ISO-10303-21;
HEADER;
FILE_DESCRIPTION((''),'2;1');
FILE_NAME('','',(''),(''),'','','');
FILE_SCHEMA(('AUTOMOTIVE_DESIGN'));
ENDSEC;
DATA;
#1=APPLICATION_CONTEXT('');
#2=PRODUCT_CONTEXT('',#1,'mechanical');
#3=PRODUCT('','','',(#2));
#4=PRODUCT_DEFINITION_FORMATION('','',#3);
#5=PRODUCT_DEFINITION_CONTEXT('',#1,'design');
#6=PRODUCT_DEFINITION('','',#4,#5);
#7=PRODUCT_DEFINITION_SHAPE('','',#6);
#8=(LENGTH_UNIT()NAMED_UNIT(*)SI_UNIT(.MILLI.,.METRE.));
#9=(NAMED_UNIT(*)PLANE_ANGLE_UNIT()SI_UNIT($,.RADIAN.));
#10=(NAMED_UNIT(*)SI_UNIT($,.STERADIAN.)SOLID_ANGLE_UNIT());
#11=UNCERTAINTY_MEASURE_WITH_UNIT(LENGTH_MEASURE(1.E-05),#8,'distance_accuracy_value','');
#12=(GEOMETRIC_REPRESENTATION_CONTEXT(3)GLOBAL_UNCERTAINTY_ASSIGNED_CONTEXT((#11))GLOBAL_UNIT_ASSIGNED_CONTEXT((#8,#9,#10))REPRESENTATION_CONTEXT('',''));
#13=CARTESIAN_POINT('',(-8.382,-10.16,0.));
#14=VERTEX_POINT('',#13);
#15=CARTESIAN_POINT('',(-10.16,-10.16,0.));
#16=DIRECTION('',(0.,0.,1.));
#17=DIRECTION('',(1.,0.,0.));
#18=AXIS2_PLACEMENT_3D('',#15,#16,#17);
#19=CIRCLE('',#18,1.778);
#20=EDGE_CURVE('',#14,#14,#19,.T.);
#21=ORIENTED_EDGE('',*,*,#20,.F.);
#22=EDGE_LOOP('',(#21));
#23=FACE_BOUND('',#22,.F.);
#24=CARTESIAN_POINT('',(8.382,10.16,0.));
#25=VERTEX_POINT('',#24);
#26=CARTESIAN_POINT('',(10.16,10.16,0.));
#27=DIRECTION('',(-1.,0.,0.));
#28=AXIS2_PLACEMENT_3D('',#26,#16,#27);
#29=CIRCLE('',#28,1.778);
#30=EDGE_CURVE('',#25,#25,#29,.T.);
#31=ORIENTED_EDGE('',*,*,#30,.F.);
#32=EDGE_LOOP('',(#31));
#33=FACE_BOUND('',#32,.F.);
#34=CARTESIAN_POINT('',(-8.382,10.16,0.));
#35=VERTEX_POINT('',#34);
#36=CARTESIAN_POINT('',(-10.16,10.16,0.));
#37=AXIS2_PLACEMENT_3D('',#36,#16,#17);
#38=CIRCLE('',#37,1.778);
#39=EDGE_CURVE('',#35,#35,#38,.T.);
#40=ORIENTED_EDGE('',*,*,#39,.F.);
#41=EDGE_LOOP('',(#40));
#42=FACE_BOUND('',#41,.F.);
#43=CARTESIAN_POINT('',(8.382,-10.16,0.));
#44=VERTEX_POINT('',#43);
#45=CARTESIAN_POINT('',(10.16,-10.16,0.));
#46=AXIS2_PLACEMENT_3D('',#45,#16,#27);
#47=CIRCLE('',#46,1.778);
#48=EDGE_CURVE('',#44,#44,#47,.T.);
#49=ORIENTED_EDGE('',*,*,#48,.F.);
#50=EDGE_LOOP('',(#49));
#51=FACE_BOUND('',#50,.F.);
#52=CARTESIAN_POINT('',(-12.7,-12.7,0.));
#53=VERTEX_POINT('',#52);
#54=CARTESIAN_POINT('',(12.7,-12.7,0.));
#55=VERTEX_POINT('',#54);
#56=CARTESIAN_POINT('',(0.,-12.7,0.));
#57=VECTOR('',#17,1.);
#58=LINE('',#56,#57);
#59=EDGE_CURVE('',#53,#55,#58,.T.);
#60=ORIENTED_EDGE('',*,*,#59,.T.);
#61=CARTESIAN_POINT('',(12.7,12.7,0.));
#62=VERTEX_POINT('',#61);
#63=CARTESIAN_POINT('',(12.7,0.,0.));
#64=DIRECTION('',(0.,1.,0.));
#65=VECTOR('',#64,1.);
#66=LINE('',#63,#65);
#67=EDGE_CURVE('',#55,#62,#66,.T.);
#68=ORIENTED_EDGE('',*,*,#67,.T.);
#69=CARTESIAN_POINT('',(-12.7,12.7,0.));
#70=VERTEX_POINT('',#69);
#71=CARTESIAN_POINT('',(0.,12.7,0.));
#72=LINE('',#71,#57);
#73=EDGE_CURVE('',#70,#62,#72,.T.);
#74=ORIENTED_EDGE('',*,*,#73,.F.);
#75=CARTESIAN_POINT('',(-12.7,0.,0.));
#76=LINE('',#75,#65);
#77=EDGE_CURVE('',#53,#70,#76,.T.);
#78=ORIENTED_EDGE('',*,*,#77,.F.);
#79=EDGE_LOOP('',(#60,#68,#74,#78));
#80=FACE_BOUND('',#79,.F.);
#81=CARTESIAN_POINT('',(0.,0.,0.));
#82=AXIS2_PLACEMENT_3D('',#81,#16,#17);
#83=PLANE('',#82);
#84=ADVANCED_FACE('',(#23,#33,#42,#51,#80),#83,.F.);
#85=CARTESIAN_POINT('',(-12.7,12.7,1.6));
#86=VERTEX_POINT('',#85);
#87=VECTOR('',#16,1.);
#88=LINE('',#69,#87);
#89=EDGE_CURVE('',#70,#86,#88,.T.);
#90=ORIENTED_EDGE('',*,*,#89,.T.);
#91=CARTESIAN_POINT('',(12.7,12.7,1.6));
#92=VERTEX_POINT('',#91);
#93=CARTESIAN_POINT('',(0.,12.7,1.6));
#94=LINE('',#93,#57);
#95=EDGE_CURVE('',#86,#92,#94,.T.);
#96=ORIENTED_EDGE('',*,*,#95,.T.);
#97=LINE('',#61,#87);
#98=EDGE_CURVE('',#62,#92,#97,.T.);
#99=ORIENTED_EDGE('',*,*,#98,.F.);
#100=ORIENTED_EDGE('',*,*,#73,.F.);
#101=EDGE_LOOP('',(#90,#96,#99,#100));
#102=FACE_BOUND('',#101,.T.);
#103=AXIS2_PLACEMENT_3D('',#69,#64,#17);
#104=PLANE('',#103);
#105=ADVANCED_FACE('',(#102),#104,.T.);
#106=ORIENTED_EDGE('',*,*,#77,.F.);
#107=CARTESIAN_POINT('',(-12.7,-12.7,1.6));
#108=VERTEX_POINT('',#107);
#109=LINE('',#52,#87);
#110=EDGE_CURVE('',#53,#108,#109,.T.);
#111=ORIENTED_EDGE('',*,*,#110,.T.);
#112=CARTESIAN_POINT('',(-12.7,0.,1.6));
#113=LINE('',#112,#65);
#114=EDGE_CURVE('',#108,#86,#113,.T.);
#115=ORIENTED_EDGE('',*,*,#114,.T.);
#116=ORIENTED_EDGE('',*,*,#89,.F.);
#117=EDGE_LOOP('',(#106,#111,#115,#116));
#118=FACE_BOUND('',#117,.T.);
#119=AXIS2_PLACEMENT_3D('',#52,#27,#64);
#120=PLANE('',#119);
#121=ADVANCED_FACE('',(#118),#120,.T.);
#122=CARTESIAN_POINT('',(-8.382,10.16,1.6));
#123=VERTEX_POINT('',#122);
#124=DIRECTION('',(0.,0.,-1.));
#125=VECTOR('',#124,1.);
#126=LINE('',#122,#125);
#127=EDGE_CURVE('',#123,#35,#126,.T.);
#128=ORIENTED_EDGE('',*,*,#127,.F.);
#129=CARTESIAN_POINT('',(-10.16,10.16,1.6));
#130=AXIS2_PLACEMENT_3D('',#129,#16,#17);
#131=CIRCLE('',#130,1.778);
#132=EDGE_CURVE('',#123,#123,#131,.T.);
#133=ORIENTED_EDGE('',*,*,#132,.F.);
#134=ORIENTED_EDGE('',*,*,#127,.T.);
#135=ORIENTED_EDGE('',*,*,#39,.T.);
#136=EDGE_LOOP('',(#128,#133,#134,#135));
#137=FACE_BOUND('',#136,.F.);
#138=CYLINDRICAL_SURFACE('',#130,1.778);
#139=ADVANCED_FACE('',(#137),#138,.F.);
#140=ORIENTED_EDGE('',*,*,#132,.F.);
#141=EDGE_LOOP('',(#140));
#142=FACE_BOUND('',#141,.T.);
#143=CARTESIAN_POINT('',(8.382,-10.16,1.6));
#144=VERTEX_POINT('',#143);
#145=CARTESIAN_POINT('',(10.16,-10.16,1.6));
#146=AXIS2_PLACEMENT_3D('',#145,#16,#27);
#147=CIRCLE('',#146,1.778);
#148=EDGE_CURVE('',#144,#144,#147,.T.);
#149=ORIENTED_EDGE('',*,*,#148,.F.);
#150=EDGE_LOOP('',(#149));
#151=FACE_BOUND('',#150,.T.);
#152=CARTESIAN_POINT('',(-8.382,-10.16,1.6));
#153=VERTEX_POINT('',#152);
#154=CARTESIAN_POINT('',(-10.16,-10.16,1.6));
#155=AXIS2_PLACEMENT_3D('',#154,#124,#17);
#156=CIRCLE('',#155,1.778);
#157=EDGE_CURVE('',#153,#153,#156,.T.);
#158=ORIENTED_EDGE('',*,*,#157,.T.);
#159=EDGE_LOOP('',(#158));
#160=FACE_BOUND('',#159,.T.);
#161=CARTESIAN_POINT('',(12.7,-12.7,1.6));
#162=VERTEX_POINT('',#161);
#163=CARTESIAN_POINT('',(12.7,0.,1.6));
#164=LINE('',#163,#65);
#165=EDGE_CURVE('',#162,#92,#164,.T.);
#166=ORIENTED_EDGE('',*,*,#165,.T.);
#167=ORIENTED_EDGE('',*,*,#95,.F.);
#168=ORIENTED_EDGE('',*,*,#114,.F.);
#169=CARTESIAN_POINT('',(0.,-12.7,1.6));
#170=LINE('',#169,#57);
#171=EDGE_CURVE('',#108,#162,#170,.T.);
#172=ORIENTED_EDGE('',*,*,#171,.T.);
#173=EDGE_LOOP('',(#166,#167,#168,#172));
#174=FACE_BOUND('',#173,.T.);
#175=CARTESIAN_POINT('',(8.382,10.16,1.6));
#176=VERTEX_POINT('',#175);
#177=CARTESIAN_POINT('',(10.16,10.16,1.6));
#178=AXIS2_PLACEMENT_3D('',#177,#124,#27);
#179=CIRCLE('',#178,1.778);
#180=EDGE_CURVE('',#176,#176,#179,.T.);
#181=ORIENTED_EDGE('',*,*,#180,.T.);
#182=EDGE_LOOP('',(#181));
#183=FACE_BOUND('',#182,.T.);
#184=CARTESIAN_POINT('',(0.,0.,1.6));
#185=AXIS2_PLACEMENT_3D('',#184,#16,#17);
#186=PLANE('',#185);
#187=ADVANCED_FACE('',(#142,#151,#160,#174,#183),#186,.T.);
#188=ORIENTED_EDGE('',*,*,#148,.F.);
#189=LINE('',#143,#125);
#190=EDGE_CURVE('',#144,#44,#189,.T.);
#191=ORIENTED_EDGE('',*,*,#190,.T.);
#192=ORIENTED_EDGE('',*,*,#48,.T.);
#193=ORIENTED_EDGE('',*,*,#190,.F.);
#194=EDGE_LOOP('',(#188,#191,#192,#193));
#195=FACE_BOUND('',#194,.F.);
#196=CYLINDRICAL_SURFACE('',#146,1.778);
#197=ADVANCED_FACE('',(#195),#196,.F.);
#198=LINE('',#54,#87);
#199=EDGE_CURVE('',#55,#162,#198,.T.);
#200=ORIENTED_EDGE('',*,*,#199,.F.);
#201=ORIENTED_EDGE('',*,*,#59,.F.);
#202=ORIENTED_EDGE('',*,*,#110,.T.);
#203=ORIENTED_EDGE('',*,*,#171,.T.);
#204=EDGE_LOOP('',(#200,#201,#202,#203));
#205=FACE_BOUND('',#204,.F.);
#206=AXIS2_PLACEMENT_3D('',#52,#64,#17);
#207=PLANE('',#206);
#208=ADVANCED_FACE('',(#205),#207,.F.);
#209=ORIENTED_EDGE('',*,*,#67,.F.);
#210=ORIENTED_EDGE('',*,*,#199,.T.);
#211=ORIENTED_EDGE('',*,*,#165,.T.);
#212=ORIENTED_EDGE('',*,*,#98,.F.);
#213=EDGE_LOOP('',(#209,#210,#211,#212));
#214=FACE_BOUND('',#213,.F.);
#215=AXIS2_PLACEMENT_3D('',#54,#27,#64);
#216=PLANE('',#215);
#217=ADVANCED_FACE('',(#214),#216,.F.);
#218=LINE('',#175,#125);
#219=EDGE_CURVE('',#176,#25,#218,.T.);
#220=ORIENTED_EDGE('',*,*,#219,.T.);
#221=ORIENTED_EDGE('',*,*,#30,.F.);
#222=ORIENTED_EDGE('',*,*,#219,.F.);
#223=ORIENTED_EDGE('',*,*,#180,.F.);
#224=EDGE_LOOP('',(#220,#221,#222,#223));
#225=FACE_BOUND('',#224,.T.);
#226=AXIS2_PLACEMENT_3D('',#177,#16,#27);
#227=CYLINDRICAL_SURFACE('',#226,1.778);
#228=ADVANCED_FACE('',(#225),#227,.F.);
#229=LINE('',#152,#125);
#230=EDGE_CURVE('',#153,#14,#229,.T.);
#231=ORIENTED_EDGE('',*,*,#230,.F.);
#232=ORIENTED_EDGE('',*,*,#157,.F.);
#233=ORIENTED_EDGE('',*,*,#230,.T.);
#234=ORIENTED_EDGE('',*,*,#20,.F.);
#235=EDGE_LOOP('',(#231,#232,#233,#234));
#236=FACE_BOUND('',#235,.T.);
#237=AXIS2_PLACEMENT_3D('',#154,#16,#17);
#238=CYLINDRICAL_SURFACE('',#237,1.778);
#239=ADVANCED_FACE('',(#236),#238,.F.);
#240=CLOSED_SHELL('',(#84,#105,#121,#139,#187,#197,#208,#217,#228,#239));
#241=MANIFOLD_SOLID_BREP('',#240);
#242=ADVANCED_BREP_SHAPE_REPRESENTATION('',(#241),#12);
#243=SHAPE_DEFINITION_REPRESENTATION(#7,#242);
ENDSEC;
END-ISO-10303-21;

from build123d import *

# Parameters (mm, degrees)
SKETCH006_W                = 25.4
SKETCH006_H                = 25.4
PAD005_DEPTH               = 1.6
SKETCH005_R                = 1.778
POCKET_DEPTH               = 73.514281
SKETCH005_MIRRORED006_2_R  = 1.778
POCKET_MIRRORED006_2_DEPTH = 73.514281


with BuildPart() as part:
    # Sketch006 → Pad005 (new body)
    with BuildSketch(Plane.XY):
        Rectangle(SKETCH006_W, SKETCH006_H)
    extrude(amount=PAD005_DEPTH)

    # Sketch005 (on Face6 of Pad005) → Pocket (cut, through all)
    with BuildSketch(Plane.XY.offset(1.6)):
        with Locations((-10.16, 10.16)):
            Circle(SKETCH005_R)
    pocket = extrude(amount=-POCKET_DEPTH, mode=Mode.SUBTRACT)

    # Sketch005 Mirrored006 2 → Pocket Mirrored006 2 (cut, through all)
    with BuildSketch(Plane(origin=(0, 0, 1.6), x_dir=(-1, 0, 0), z_dir=(0, 0, -1))):
        with Locations((-10.16, 10.16)):
            Circle(SKETCH005_MIRRORED006_2_R)
    pocket_mirrored006_2 = extrude(amount=POCKET_MIRRORED006_2_DEPTH, mode=Mode.SUBTRACT)

    # Mirrored007: Pocket, Pocket Mirrored006 2 across XZ
    add(pocket.mirror(Plane.XZ), mode=Mode.SUBTRACT)
    add(pocket_mirrored006_2.mirror(Plane.XZ), mode=Mode.SUBTRACT)


solid = part.part
